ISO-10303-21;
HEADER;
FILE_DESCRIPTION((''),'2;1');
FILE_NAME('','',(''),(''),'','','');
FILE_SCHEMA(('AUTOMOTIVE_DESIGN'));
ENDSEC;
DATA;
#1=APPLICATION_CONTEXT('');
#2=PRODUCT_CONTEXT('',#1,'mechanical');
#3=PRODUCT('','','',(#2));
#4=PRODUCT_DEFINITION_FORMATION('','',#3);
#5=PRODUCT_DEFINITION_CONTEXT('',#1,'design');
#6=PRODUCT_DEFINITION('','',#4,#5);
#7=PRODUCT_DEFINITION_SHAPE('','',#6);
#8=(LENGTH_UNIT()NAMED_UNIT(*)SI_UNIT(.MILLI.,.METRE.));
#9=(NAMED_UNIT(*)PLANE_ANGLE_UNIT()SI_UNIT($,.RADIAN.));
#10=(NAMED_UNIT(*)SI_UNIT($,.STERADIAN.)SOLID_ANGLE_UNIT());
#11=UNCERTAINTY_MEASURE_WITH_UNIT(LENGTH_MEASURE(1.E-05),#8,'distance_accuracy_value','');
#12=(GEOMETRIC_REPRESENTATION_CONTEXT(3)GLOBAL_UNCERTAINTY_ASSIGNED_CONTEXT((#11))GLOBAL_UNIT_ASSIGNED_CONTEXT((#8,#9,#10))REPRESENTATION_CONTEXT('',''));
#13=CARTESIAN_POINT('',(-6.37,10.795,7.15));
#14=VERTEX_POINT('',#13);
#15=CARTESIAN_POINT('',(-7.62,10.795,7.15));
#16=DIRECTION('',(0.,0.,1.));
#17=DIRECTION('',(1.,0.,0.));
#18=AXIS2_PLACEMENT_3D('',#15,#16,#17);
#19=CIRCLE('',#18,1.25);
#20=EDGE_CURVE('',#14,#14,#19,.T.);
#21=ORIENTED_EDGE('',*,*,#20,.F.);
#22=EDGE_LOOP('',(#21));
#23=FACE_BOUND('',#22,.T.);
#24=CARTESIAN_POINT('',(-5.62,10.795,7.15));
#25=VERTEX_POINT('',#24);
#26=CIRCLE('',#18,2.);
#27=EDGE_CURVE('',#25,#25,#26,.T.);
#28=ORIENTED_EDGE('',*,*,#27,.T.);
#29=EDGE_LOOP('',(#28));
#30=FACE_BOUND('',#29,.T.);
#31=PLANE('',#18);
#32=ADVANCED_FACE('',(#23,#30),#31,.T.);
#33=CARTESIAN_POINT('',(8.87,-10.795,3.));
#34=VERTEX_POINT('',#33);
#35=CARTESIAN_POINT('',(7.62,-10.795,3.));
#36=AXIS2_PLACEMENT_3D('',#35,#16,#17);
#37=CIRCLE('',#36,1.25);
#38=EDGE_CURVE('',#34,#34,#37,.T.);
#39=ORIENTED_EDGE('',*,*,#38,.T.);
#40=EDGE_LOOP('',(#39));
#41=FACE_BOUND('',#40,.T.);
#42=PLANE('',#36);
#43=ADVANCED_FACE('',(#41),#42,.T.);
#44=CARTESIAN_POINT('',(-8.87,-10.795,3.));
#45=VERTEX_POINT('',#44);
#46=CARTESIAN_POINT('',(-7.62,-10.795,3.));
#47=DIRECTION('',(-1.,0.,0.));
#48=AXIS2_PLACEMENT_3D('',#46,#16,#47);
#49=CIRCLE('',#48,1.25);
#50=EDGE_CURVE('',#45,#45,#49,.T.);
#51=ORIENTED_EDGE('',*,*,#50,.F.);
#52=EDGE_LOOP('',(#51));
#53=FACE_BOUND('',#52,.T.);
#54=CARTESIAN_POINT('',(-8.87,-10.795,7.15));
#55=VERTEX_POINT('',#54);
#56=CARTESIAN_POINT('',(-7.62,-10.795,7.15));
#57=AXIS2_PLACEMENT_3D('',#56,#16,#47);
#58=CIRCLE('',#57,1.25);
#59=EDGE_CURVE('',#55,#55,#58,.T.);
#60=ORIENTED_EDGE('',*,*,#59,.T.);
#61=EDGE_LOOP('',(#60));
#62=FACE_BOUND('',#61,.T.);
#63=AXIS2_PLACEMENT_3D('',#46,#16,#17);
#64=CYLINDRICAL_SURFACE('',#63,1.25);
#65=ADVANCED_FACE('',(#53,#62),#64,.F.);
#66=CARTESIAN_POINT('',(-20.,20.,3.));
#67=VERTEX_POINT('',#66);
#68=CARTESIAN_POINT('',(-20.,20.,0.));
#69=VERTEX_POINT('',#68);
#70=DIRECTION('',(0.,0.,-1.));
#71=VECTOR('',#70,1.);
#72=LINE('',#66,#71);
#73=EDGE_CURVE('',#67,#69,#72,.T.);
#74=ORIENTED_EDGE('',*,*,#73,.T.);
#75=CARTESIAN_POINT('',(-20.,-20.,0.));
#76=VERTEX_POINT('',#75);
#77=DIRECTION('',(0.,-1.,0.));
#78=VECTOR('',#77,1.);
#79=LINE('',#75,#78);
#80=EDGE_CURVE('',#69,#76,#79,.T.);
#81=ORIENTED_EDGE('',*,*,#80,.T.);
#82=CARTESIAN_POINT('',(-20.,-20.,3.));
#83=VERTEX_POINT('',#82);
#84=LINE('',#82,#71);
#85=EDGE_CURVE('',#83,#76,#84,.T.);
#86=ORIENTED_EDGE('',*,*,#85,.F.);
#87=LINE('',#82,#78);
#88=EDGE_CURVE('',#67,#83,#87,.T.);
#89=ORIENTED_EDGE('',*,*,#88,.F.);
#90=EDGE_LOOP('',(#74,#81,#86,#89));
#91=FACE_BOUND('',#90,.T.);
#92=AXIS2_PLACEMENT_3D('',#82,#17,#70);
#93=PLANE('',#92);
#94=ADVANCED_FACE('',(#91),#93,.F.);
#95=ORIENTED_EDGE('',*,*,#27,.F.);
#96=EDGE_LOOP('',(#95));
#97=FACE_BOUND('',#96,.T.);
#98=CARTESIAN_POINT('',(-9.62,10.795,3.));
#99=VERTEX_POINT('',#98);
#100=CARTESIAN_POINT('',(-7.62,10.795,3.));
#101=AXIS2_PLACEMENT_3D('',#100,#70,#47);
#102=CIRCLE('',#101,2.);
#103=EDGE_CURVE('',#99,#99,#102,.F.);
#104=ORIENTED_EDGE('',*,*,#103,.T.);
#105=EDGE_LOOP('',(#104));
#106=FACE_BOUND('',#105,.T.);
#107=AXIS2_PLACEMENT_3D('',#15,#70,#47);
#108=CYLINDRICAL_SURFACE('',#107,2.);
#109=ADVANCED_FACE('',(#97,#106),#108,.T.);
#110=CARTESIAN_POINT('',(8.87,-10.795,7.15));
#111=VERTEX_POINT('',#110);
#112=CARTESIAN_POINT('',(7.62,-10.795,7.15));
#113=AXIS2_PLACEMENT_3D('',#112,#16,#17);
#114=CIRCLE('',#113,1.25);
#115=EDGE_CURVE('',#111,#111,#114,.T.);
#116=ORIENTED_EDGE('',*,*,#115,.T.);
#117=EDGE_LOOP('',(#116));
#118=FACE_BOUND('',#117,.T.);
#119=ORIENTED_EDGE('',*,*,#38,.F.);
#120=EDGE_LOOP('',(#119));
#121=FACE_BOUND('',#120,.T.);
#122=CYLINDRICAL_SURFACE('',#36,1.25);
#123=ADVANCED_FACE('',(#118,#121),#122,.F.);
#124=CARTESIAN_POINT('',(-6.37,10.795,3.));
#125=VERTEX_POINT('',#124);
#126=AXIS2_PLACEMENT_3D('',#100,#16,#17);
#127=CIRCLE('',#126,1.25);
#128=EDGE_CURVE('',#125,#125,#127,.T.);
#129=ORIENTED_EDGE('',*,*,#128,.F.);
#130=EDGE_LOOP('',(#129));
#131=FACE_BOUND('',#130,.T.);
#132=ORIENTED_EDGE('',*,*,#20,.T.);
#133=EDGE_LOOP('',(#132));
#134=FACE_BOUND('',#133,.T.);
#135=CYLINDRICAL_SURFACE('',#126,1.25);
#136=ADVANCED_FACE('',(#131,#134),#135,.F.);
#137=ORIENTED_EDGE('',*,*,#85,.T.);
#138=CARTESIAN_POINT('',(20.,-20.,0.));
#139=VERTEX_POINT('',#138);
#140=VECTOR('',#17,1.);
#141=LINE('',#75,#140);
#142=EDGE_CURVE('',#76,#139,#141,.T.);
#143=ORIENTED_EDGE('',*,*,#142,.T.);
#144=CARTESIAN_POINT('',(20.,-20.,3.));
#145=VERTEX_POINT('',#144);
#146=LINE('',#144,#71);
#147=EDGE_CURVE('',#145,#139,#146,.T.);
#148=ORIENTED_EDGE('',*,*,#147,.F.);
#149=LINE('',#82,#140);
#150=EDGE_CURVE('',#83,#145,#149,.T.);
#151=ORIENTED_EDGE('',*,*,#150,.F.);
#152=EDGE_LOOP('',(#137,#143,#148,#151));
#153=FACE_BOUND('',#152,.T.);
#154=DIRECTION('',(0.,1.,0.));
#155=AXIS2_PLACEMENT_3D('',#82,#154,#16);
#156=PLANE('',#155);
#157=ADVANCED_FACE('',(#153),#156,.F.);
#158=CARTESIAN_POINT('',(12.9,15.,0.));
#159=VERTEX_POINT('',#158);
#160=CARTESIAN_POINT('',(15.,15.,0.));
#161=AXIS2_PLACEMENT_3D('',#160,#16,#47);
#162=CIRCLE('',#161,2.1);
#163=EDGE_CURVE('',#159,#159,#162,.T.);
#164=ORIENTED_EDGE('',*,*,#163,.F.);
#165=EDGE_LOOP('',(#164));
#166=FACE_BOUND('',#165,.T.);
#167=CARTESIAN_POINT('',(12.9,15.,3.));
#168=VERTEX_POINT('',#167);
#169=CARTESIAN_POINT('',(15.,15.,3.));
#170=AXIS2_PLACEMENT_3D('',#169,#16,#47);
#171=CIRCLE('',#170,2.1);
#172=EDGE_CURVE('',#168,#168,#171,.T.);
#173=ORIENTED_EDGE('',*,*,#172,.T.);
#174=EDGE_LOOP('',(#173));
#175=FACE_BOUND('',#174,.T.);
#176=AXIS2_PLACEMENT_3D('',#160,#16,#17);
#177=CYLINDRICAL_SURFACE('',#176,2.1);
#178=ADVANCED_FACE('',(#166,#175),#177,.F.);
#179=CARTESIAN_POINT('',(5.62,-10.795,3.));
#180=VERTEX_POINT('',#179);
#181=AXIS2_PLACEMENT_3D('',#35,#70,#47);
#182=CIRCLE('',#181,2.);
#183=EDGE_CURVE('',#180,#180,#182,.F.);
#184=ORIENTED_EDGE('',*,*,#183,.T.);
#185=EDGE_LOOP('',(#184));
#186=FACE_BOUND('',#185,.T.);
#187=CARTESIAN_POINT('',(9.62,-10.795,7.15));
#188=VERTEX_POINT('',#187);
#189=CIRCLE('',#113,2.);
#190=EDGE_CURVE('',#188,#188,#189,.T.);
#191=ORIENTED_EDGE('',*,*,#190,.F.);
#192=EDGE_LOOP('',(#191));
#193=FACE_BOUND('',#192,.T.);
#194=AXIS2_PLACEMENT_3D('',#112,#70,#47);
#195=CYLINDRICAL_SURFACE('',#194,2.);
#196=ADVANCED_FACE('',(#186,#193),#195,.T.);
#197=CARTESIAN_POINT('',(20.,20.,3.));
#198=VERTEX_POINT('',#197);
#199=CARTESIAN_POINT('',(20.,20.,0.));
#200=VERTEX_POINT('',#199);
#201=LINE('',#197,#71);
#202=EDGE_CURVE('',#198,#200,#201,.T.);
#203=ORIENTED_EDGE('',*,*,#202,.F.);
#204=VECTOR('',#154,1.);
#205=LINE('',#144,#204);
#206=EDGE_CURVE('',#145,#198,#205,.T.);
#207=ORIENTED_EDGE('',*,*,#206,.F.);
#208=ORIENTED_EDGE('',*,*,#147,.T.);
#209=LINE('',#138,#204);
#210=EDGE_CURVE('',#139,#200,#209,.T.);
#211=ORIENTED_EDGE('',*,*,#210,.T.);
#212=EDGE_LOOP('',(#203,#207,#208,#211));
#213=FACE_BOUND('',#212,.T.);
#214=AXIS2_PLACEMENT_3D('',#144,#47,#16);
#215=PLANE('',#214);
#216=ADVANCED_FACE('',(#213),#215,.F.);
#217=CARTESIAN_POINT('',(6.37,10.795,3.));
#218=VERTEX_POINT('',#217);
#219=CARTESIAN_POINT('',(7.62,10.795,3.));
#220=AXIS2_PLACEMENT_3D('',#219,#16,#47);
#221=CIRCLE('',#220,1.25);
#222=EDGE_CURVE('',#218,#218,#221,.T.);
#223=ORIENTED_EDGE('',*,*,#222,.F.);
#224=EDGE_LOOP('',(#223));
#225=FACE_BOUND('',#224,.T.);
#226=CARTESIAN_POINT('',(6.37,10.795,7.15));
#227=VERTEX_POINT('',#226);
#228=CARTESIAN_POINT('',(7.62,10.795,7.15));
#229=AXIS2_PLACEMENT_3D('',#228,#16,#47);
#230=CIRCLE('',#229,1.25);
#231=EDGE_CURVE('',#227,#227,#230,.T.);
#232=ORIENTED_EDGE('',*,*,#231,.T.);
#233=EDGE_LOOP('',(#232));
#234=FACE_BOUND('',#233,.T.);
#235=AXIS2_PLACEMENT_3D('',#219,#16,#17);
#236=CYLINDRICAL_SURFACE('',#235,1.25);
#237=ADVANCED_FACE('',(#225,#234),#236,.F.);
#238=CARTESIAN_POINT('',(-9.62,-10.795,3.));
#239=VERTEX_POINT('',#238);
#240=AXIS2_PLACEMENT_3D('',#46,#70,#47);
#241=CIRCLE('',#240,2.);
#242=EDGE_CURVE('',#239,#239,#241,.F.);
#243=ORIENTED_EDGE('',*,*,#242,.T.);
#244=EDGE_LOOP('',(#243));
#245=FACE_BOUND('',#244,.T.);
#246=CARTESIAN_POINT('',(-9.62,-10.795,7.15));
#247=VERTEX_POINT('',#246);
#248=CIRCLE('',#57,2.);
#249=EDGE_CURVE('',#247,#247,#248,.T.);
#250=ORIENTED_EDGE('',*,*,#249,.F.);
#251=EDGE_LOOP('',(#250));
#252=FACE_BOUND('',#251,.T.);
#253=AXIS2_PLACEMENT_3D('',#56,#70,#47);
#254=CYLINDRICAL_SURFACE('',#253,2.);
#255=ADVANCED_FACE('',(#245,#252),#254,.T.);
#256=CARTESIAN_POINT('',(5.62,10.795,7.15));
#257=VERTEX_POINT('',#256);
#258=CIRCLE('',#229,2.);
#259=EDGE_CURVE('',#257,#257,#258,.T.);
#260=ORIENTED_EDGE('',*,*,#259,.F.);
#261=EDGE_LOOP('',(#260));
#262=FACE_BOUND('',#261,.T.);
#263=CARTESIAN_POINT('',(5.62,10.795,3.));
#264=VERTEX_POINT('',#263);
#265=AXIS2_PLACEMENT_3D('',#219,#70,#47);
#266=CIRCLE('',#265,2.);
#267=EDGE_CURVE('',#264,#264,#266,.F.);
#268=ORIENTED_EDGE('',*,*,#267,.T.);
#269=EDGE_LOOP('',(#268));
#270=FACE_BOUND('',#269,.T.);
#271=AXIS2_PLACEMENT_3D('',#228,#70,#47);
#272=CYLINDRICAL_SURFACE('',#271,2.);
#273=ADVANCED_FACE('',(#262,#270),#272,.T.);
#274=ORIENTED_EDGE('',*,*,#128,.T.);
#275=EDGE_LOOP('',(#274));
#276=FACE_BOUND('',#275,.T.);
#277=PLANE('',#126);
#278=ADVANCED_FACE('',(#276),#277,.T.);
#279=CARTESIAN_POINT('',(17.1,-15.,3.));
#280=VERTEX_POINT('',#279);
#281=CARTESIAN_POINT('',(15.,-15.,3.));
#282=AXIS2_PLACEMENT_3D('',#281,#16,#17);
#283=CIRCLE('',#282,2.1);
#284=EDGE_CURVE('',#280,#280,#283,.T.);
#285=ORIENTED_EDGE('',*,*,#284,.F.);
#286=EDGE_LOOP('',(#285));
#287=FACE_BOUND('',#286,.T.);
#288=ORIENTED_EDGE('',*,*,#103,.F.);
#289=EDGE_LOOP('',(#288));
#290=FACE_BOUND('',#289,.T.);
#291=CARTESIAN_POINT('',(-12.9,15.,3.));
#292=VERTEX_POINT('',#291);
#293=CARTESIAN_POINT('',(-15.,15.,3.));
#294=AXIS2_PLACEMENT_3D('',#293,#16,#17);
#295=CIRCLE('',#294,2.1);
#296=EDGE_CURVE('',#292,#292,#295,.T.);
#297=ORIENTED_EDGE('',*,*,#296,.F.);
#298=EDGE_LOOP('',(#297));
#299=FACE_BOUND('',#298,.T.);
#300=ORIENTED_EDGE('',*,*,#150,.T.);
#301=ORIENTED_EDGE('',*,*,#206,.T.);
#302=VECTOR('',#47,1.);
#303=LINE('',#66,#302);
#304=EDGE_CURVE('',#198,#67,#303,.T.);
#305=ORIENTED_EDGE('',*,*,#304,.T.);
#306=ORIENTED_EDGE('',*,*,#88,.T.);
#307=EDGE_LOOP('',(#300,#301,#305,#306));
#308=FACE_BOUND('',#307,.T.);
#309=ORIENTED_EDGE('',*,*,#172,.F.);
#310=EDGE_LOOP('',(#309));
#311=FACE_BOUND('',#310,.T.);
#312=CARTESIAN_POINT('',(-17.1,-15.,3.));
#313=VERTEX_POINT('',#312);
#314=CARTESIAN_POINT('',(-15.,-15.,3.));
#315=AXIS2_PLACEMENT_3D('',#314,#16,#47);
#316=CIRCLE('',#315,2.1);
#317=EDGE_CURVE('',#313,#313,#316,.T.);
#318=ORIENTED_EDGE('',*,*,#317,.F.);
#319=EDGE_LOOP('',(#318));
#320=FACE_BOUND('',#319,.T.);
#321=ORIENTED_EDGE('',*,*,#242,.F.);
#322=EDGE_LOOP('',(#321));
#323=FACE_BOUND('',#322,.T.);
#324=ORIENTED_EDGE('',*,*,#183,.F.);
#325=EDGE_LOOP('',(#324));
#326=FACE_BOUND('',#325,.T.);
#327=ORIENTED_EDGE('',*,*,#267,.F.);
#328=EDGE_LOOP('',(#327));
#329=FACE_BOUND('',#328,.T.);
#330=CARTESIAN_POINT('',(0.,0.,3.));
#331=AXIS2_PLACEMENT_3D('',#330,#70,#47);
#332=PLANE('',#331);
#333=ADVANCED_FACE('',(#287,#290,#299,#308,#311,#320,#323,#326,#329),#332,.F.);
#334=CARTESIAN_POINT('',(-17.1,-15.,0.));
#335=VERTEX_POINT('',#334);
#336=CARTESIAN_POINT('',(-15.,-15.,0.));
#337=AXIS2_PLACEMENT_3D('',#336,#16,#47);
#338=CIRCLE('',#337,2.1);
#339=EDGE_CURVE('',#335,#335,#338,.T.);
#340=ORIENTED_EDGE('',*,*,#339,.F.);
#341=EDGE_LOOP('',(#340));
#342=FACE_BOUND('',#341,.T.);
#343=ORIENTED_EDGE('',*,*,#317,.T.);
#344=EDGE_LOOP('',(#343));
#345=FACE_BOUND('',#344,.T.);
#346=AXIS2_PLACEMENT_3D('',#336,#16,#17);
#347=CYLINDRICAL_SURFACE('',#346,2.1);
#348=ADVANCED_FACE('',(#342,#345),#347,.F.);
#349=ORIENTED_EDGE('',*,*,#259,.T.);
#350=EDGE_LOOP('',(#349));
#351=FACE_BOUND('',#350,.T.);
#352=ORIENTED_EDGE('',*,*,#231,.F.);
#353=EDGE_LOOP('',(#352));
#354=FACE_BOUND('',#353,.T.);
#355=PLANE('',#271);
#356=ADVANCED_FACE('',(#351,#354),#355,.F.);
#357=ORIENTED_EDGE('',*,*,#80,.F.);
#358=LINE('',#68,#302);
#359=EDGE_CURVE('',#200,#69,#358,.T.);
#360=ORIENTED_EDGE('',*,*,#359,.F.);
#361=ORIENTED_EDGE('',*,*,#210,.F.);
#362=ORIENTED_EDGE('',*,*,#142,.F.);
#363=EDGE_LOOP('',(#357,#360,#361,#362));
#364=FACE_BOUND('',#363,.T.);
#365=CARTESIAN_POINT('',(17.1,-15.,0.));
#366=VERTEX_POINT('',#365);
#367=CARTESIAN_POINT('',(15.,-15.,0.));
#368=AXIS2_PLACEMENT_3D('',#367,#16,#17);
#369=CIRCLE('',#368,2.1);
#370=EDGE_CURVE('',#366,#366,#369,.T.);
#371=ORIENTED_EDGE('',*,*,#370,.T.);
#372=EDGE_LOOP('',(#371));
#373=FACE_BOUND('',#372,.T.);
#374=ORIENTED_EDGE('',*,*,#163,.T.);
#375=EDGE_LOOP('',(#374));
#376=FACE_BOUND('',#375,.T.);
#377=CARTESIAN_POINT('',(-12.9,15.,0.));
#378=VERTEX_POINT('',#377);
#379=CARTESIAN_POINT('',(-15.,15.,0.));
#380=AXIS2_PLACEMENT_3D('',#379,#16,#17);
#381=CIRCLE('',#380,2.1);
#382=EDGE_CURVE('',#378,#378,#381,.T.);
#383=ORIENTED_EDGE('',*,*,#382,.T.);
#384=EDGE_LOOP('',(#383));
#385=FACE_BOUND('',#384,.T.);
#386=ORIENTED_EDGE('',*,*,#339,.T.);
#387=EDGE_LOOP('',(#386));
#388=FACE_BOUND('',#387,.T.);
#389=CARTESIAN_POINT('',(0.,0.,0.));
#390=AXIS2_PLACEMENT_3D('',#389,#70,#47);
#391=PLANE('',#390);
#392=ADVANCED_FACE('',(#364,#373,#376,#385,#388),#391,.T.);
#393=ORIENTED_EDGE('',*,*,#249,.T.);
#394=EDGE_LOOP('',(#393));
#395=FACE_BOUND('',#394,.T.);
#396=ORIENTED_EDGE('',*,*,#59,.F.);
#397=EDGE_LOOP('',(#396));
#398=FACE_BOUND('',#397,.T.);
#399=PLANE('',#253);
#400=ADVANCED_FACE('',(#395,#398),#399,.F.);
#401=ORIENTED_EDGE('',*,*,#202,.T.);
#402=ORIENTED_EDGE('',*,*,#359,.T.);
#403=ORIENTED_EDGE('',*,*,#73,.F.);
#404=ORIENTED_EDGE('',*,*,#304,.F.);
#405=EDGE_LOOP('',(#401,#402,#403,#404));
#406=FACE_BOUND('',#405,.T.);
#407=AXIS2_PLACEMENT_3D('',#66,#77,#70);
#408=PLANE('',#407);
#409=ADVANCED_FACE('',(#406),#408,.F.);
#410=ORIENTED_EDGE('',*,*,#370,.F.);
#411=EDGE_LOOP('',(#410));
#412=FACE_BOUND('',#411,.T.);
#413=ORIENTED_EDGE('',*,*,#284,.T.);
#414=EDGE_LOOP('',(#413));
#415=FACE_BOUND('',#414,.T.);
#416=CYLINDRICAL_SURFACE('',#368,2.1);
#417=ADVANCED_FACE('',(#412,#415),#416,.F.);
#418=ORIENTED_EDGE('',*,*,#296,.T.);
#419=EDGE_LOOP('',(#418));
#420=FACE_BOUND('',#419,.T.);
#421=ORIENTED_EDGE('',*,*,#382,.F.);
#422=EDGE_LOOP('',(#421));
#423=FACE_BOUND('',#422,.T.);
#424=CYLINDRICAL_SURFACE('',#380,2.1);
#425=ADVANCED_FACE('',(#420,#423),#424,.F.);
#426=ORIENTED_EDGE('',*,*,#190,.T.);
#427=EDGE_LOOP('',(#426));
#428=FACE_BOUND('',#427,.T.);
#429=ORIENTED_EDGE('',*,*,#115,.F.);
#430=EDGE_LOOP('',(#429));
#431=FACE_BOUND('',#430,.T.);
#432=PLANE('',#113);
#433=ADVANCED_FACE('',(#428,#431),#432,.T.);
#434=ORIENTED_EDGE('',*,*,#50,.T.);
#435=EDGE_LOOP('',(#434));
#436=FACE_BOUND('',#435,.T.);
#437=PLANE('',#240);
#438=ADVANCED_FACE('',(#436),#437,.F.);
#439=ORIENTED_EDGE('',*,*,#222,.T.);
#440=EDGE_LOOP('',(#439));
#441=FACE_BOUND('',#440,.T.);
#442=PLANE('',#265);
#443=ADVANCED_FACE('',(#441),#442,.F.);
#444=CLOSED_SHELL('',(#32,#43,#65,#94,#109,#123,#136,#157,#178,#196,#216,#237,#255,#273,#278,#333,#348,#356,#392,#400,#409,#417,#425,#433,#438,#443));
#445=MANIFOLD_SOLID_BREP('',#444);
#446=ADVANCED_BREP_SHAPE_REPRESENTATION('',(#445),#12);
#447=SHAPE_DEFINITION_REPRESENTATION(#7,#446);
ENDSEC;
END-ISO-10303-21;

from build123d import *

# Parameters (mm, degrees)
SKETCH_1_W          = 40
SKETCH_1_H          = 40
EXTRUDE_1_DEPTH     = 3
SKETCH_2_R          = 2
EXTRUDE_2_DEPTH     = 4.15
SKETCH_4_R          = 2.1
CUT_EXTRUDE_1_DEPTH = 4
SKETCH_3_R          = 1.25
CUT_EXTRUDE_2_DEPTH = 4.15


with BuildPart() as part:
    # 草圖1 → 填料-伸長1 (new body)
    with BuildSketch(Plane.XY):
        Rectangle(SKETCH_1_W, SKETCH_1_H)
    extrude(amount=EXTRUDE_1_DEPTH)

    # 草圖2 → 填料-伸長2 (add)
    with BuildSketch(Plane.XY.offset(3)):
        with Locations((-7.62, 10.795)):
            Circle(SKETCH_2_R)
        with Locations((-7.62, -10.795)):
            Circle(SKETCH_2_R)
        with Locations((7.62, -10.795)):
            Circle(SKETCH_2_R)
        with Locations((7.62, 10.795)):
            Circle(SKETCH_2_R)
    extrude(amount=EXTRUDE_2_DEPTH)

    # 草圖4 → 除料-伸長1 (cut, through all)
    with BuildSketch(Plane.XY.offset(3)):
        with Locations((-15, 15)):
            Circle(SKETCH_4_R)
        with Locations((-15, -15)):
            Circle(SKETCH_4_R)
        with Locations((15, -15)):
            Circle(SKETCH_4_R)
        with Locations((15, 15)):
            Circle(SKETCH_4_R)
    extrude(amount=-CUT_EXTRUDE_1_DEPTH, mode=Mode.SUBTRACT)

    # 草圖3 → 除料-伸長2 (cut)
    with BuildSketch(Plane.XY.offset(7.15)):
        with Locations((-7.62, 10.795)):
            Circle(SKETCH_3_R)
        with Locations((-7.62, -10.795)):
            Circle(SKETCH_3_R)
        with Locations((7.62, -10.795)):
            Circle(SKETCH_3_R)
        with Locations((7.62, 10.795)):
            Circle(SKETCH_3_R)
    extrude(amount=-CUT_EXTRUDE_2_DEPTH, mode=Mode.SUBTRACT)


solid = part.part
